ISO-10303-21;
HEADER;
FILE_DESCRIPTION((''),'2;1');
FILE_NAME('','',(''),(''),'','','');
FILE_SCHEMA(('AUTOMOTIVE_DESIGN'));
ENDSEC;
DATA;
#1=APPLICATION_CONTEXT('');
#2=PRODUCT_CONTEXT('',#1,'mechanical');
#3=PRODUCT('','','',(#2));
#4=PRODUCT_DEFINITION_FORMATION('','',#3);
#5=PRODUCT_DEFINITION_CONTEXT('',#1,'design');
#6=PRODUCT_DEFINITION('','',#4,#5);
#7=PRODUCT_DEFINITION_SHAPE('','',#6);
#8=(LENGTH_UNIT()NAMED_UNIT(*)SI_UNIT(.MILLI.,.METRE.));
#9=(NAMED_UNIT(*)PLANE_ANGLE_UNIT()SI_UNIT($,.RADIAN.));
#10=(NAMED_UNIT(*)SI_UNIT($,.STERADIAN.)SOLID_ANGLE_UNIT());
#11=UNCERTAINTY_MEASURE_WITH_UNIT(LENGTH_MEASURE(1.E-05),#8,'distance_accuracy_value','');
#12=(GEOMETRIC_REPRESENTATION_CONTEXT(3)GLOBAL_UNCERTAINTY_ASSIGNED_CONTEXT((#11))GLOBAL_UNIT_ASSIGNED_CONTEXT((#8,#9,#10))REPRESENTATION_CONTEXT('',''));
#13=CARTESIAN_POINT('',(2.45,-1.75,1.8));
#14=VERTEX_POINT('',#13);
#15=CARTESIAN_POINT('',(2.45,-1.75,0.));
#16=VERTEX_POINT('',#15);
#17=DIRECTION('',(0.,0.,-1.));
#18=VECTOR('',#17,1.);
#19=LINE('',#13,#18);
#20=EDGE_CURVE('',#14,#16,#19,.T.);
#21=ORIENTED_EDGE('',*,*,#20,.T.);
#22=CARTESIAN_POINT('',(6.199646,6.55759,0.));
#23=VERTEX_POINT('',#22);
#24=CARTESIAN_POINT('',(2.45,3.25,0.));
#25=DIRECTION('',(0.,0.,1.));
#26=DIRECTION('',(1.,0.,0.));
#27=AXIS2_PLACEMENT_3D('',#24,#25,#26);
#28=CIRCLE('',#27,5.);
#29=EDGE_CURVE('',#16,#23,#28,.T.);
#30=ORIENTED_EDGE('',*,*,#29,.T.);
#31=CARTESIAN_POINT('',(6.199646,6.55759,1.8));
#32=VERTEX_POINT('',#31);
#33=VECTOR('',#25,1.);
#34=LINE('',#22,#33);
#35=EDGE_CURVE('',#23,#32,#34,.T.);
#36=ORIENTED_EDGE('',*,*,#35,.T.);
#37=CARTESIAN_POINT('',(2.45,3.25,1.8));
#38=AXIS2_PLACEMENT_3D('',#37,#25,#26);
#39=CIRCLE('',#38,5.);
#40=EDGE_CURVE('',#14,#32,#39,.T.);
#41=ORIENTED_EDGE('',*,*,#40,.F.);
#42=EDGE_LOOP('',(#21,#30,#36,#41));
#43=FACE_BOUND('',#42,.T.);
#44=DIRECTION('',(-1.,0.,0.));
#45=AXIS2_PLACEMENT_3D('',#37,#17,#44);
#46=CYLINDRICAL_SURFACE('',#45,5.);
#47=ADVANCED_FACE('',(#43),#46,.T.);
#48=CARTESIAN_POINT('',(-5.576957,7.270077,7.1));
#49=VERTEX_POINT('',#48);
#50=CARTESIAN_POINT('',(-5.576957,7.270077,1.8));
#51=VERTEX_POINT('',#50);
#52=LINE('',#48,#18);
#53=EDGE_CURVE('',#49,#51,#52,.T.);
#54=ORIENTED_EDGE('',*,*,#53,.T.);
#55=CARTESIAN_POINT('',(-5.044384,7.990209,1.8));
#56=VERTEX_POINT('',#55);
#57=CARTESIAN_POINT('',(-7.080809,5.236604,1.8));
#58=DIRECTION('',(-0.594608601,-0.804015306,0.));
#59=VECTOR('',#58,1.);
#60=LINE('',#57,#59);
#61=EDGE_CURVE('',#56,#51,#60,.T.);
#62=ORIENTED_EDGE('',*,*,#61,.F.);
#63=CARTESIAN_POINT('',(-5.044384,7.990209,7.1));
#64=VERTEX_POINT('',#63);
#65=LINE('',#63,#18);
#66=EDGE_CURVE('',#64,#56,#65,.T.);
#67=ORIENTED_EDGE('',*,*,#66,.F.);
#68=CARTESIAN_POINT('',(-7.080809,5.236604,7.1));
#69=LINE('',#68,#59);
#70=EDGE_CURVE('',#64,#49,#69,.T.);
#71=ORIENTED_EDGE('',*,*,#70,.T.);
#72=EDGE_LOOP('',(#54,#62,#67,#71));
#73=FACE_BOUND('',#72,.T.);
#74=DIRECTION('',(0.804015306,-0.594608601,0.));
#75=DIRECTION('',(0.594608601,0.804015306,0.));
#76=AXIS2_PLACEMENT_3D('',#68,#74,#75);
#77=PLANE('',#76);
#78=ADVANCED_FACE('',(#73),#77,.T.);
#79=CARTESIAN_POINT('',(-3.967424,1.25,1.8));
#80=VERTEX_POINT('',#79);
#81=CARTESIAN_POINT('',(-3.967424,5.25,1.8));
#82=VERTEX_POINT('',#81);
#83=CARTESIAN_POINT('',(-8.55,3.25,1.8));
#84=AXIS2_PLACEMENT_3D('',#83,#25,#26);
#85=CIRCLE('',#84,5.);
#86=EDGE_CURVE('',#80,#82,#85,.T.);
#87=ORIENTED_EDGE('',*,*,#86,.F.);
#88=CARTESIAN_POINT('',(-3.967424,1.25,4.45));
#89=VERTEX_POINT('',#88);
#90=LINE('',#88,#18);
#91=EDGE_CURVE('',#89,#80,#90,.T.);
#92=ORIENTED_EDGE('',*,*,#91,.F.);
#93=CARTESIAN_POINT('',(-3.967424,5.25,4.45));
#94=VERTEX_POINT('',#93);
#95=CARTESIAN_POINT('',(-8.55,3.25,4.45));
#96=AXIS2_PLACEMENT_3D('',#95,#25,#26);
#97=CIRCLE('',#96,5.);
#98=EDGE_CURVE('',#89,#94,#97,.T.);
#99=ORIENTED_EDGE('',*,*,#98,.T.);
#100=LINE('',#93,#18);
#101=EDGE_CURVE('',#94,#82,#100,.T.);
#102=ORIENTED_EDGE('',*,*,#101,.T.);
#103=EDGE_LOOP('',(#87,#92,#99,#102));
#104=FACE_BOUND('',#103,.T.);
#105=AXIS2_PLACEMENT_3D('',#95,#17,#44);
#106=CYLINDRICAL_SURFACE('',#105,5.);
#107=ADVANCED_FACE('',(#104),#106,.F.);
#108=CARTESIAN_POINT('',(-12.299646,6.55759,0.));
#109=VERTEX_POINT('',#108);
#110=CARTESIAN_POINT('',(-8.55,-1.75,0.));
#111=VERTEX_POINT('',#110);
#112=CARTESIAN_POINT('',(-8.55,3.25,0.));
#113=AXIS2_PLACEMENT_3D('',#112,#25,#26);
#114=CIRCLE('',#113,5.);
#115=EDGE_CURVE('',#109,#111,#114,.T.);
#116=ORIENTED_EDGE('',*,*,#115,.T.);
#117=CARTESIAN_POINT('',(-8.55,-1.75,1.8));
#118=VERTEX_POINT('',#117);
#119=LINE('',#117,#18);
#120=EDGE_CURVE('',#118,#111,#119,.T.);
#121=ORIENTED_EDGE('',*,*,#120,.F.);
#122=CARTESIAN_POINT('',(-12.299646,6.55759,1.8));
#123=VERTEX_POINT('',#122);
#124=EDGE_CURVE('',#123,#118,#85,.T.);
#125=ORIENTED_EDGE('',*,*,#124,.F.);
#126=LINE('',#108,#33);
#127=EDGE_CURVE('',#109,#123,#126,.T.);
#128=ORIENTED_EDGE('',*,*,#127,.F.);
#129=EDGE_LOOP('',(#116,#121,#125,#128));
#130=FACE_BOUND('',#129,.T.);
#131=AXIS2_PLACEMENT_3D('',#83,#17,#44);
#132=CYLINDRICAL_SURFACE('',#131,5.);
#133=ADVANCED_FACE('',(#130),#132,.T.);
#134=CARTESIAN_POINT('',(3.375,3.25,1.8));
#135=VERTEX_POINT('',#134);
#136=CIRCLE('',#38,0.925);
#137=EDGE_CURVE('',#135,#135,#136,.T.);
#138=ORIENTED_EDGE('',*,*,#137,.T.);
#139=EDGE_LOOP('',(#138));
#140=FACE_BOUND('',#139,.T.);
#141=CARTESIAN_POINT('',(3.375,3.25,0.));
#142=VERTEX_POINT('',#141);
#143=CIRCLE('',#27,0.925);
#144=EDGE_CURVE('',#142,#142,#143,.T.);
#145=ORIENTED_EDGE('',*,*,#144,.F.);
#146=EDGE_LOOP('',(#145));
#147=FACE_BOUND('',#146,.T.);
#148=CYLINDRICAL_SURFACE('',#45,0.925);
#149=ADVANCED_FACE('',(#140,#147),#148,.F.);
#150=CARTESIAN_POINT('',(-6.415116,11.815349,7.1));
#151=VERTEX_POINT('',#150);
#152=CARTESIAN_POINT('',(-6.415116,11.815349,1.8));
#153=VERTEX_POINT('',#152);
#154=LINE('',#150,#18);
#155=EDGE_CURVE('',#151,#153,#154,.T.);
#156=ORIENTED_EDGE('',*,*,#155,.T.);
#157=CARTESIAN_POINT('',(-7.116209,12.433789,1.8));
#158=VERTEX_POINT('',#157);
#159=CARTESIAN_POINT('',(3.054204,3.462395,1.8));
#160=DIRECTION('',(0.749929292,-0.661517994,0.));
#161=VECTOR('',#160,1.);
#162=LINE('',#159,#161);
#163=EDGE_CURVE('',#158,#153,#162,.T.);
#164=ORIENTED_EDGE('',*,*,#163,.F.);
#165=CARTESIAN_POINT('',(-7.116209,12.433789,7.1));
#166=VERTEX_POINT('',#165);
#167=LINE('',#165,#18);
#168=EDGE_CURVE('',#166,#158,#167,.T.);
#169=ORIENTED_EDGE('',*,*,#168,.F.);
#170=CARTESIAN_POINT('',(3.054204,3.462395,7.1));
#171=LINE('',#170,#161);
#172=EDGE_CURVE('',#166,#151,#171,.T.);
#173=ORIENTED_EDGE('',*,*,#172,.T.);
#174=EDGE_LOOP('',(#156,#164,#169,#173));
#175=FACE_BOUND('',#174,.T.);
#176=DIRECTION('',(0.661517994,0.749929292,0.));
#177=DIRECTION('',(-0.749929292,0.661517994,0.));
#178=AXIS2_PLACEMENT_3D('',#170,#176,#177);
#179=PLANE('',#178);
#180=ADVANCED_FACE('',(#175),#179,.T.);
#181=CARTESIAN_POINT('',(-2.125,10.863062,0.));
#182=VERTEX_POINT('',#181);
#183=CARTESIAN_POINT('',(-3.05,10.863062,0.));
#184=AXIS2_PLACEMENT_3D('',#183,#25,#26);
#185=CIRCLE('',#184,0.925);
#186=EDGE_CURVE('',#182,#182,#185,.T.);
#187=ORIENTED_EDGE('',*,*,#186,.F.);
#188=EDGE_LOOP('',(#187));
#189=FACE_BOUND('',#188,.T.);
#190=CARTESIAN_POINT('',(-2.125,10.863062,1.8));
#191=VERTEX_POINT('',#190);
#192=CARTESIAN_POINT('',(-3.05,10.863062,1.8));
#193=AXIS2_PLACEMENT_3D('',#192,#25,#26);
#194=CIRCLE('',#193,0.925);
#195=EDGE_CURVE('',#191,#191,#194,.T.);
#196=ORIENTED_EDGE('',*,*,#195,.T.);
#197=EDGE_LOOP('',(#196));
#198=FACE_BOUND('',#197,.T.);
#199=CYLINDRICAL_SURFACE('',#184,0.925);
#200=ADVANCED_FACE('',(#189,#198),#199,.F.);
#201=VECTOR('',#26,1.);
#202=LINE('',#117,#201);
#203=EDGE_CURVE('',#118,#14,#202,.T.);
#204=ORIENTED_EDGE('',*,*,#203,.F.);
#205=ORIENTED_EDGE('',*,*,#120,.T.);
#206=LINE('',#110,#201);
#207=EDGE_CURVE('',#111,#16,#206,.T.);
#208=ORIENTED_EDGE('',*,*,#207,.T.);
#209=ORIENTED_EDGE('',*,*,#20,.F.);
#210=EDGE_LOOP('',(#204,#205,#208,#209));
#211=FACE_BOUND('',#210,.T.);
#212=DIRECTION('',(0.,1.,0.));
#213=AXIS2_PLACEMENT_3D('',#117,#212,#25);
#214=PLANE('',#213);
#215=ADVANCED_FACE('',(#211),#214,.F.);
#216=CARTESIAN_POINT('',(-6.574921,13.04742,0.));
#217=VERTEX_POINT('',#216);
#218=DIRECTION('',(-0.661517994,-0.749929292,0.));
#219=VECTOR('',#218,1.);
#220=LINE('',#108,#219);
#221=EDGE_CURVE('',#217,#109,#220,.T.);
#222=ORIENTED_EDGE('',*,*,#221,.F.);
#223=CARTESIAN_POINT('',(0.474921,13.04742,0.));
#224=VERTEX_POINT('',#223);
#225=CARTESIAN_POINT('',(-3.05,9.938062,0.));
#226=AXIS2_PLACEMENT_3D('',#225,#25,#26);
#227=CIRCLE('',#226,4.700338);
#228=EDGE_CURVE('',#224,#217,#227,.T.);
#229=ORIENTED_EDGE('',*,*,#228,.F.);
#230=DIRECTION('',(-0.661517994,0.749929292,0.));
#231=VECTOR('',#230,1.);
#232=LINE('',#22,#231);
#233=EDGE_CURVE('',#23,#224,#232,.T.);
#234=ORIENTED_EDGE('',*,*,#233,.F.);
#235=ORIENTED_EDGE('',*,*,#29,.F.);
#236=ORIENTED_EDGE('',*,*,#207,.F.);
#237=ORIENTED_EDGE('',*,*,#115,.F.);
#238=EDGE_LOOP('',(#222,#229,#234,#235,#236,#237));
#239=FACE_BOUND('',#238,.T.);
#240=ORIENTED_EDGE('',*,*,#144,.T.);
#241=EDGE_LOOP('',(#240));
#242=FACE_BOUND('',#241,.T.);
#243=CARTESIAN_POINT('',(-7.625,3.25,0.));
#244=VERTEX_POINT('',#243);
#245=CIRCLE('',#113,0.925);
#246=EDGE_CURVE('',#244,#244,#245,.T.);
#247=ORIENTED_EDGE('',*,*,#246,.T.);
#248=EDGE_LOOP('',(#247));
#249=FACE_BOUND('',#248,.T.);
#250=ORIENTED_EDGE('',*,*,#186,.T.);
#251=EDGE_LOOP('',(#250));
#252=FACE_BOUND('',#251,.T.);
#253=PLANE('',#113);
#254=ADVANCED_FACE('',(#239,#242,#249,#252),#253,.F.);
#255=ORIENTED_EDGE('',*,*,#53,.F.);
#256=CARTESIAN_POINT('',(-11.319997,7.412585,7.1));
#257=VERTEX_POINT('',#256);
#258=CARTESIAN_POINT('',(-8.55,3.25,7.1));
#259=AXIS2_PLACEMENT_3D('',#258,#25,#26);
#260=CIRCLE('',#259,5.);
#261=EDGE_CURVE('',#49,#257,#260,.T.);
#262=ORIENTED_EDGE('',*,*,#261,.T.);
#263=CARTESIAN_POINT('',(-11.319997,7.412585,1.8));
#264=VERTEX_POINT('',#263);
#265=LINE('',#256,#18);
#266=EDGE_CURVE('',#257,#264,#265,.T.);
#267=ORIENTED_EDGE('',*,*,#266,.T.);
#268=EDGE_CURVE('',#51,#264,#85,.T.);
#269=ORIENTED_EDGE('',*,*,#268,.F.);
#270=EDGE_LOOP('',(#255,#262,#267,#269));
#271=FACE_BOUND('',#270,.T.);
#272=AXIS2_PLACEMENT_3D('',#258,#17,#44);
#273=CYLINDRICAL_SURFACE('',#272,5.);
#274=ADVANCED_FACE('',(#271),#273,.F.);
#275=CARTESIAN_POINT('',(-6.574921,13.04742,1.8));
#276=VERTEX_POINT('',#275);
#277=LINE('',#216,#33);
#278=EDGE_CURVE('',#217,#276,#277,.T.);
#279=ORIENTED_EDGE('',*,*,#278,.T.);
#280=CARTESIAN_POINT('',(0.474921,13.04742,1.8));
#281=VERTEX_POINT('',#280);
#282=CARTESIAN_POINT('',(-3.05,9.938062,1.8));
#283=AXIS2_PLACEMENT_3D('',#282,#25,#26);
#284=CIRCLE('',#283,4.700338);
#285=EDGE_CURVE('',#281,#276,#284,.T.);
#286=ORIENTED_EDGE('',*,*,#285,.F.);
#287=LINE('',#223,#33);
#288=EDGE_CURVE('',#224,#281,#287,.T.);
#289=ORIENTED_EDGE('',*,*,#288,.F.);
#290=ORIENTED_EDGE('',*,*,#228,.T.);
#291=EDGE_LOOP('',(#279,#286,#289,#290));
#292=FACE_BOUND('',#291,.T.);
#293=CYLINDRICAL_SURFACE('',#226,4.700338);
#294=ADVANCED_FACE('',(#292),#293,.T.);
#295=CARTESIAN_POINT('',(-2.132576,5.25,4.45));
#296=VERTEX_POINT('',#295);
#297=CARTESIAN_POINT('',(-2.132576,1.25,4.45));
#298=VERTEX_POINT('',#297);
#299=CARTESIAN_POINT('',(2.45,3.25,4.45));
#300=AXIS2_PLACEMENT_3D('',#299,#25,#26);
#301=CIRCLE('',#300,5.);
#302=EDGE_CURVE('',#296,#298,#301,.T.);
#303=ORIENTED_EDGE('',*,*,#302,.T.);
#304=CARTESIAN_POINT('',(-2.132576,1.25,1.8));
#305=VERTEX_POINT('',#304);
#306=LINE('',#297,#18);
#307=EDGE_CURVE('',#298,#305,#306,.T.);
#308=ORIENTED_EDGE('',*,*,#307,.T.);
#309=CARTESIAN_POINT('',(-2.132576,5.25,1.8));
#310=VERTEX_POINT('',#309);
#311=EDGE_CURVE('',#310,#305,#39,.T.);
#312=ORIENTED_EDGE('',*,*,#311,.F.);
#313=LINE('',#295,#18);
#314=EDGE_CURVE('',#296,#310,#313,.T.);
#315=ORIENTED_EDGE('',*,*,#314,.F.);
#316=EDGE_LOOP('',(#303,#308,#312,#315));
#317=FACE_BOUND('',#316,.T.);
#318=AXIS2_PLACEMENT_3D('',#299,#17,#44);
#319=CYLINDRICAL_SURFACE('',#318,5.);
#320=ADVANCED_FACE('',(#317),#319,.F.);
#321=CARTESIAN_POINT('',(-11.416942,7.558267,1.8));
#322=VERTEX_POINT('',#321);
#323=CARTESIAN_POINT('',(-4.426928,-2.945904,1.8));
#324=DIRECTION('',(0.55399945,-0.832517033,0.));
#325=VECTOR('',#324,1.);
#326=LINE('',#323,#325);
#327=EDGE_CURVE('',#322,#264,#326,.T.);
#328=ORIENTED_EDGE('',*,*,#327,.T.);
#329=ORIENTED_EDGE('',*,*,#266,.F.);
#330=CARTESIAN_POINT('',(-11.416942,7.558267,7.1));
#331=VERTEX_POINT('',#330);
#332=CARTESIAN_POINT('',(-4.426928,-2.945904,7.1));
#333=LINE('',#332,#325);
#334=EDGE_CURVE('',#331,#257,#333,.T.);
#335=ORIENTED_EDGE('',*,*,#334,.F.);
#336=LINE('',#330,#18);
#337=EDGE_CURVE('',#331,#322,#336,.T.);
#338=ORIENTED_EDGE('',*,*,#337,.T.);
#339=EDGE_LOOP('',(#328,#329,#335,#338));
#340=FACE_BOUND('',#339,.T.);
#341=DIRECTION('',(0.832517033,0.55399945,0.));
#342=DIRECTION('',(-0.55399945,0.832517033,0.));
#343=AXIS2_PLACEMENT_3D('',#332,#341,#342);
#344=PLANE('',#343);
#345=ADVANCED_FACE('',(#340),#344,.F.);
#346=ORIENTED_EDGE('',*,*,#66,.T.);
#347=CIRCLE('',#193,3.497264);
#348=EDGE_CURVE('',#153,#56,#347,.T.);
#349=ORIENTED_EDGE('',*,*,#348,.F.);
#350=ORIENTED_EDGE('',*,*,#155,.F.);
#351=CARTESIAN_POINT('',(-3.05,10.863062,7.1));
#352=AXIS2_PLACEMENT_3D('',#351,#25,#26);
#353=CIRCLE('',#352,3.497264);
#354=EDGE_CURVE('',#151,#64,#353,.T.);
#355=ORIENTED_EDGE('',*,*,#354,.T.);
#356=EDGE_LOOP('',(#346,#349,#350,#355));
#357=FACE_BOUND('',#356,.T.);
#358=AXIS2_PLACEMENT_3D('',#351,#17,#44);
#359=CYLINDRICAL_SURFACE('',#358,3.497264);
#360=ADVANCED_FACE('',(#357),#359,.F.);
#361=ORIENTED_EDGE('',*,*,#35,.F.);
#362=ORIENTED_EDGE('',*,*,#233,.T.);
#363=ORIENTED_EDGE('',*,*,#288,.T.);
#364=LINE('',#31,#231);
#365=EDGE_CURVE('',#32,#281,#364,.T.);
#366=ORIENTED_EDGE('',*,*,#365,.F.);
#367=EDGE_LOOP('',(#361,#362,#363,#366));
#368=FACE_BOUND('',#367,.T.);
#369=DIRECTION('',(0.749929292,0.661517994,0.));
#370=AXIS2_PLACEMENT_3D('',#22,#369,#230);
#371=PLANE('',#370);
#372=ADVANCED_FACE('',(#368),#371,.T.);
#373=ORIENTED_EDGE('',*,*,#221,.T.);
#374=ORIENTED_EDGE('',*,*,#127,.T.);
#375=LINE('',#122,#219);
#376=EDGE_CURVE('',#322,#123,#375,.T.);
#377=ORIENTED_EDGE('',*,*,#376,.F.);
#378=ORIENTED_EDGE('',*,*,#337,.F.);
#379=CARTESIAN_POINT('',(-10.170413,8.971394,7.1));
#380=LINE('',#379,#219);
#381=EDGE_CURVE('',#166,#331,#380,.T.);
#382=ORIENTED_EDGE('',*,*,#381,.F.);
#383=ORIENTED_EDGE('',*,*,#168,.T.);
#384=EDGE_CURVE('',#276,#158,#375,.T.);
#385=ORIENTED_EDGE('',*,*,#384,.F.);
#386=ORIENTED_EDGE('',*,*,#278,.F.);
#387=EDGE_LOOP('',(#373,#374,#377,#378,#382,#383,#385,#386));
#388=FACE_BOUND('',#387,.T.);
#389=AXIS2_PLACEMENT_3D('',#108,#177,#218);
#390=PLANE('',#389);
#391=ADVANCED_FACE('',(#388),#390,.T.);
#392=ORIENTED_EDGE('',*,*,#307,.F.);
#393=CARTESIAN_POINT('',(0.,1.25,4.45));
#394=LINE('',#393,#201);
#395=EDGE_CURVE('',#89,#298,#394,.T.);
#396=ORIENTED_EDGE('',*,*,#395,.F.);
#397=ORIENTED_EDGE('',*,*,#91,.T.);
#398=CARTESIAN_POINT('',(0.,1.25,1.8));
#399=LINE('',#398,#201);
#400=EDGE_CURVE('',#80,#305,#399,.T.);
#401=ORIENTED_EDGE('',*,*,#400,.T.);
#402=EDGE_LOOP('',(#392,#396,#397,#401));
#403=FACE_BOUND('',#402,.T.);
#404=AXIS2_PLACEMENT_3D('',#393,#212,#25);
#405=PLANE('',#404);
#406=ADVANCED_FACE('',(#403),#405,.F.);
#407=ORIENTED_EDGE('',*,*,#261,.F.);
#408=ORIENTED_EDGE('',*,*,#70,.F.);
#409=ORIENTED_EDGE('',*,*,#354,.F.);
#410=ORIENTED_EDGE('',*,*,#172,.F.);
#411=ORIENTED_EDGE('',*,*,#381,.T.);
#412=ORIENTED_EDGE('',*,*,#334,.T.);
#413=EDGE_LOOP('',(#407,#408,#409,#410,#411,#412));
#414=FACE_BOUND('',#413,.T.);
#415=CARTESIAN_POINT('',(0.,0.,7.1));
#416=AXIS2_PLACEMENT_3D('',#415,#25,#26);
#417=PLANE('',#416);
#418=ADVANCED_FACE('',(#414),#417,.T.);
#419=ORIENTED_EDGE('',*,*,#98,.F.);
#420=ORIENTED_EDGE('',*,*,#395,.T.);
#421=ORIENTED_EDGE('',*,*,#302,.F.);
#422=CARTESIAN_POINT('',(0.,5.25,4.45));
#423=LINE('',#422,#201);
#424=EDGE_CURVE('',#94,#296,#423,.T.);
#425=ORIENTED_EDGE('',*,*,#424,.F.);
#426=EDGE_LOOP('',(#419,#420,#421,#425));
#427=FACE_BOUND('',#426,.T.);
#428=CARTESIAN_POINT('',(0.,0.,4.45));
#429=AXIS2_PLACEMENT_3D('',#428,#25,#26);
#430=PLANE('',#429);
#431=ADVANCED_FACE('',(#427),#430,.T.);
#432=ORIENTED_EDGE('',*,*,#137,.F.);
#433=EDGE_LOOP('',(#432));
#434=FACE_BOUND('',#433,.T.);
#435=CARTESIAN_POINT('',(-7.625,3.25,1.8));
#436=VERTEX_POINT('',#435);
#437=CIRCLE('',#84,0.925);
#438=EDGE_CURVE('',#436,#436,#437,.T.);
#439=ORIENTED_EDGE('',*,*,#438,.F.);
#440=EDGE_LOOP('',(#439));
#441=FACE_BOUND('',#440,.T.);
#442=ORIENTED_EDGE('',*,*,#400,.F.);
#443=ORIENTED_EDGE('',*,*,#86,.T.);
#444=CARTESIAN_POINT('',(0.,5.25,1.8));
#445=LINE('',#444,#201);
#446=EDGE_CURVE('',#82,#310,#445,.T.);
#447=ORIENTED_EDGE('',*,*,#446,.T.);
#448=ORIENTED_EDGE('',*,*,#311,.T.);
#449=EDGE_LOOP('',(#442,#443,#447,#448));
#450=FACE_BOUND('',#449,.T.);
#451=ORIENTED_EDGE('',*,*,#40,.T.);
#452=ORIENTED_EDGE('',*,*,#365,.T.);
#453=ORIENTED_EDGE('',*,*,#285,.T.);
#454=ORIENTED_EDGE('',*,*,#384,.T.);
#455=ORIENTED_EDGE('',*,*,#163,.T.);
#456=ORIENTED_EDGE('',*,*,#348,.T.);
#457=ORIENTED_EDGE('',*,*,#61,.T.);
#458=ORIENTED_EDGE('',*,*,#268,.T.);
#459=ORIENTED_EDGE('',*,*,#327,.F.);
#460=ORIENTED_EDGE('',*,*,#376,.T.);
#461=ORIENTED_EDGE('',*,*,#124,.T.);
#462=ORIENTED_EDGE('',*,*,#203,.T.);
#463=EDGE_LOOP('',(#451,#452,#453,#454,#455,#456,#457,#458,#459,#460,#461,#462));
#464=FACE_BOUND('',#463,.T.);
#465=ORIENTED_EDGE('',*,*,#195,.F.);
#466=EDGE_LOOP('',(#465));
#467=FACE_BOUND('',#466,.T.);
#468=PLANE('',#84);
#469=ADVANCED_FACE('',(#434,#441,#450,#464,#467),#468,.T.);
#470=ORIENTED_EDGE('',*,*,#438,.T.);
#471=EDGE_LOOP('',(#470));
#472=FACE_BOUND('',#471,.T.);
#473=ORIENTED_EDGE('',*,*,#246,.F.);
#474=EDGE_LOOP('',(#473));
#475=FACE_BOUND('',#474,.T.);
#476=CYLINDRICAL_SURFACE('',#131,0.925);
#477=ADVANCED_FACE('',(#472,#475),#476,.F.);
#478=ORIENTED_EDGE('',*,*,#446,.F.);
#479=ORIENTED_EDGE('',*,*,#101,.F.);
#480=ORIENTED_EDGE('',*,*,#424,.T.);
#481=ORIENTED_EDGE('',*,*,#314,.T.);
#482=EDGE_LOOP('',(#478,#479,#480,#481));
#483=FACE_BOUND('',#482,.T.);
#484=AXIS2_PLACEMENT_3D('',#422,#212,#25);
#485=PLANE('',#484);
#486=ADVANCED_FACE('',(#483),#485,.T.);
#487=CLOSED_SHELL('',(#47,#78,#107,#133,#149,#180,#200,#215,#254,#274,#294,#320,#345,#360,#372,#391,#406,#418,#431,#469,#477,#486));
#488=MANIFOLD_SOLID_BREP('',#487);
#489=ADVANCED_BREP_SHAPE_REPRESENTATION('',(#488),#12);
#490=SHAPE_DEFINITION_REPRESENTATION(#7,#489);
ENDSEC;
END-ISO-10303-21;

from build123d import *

# Parameters (mm, degrees)
SKETCH_1_R      = 0.925
EXTRUDE_1_DEPTH = 1.8
EXTRUDE_START   = -1.8
SKETCH_2_R      = 0.925
EXTRUDE_2_DEPTH = 1.8
EXTRUDE_3_DEPTH = 5.3
EXTRUDE_4_DEPTH = 2.65


with BuildPart() as part:
    # 草图1 → 凸台-拉伸1 (new body)
    with BuildSketch(Plane.XY):
        with BuildLine():
            Line((-8.55, 8.25), (2.45, 8.25))
            ThreePointArc((2.45, 8.25), (7.45, 3.25), (2.45, -1.75))
            Line((2.45, -1.75), (-8.55, -1.75))
            ThreePointArc((-8.55, -1.75), (-13.55, 3.25), (-8.55, 8.25))
        make_face()
        with Locations((-8.55, 3.25)):
            Circle(SKETCH_1_R, mode=Mode.SUBTRACT)
        with Locations((2.45, 3.25)):
            Circle(SKETCH_1_R, mode=Mode.SUBTRACT)
    extrude(amount=EXTRUDE_1_DEPTH)

    # 草图2 → 凸台-拉伸2 (add)
    with BuildSketch(Plane.XY.offset(1.8).offset(EXTRUDE_START)):
        with BuildLine():
            Line((-12.299646462, 6.55758997), (-6.57492094, 13.047420027))
            ThreePointArc((-6.57492094, 13.047420027), (-3.05, 14.638399767), (0.47492094, 13.047420027))
            Line((0.47492094, 13.047420027), (6.199646462, 6.55758997))
            ThreePointArc((6.199646462, 6.55758997), (4.506945569, 7.807299082), (2.45, 8.25))
            Line((2.45, 8.25), (-8.55, 8.25))
            ThreePointArc((-8.55, 8.25), (-10.606945569, 7.807299082), (-12.299646462, 6.55758997))
        make_face()
        with Locations((-3.05, 10.863062049)):
            Circle(SKETCH_2_R, mode=Mode.SUBTRACT)
    extrude(amount=EXTRUDE_2_DEPTH)

    # 草图3 → 凸台-拉伸3 (add)
    with BuildSketch(Plane.XY.offset(1.8)):
        with BuildLine():
            Line((-7.116209234, 12.433789028), (-11.416941699, 7.558267449))
            Line((-11.416941699, 7.558267449), (-11.319997249, 7.412585163))
            ThreePointArc((-11.319997249, 7.412585163), (-8.425967454, 8.248461356), (-5.576956996, 7.270076529))
            Line((-5.576956996, 7.270076529), (-5.044384077, 7.990208692))
            ThreePointArc((-5.044384077, 7.990208692), (-6.342261306, 9.683286753), (-6.415115625, 11.815349339))
            Line((-6.415115625, 11.815349339), (-7.116209234, 12.433789028))
        make_face()
    extrude(amount=EXTRUDE_3_DEPTH)

    # 草图3<3> → 凸台-拉伸4 (add)
    with BuildSketch(Plane.XY.offset(1.8)):
        with BuildLine():
            Line((-2.132575695, 5.25), (-3.967424305, 5.25))
            ThreePointArc((-3.967424305, 5.25), (-3.55, 3.25), (-3.967424305, 1.25))
            Line((-3.967424305, 1.25), (-2.132575695, 1.25))
            ThreePointArc((-2.132575695, 1.25), (-2.55, 3.25), (-2.132575695, 5.25))
        make_face()
    extrude(amount=EXTRUDE_4_DEPTH)


solid = part.part
